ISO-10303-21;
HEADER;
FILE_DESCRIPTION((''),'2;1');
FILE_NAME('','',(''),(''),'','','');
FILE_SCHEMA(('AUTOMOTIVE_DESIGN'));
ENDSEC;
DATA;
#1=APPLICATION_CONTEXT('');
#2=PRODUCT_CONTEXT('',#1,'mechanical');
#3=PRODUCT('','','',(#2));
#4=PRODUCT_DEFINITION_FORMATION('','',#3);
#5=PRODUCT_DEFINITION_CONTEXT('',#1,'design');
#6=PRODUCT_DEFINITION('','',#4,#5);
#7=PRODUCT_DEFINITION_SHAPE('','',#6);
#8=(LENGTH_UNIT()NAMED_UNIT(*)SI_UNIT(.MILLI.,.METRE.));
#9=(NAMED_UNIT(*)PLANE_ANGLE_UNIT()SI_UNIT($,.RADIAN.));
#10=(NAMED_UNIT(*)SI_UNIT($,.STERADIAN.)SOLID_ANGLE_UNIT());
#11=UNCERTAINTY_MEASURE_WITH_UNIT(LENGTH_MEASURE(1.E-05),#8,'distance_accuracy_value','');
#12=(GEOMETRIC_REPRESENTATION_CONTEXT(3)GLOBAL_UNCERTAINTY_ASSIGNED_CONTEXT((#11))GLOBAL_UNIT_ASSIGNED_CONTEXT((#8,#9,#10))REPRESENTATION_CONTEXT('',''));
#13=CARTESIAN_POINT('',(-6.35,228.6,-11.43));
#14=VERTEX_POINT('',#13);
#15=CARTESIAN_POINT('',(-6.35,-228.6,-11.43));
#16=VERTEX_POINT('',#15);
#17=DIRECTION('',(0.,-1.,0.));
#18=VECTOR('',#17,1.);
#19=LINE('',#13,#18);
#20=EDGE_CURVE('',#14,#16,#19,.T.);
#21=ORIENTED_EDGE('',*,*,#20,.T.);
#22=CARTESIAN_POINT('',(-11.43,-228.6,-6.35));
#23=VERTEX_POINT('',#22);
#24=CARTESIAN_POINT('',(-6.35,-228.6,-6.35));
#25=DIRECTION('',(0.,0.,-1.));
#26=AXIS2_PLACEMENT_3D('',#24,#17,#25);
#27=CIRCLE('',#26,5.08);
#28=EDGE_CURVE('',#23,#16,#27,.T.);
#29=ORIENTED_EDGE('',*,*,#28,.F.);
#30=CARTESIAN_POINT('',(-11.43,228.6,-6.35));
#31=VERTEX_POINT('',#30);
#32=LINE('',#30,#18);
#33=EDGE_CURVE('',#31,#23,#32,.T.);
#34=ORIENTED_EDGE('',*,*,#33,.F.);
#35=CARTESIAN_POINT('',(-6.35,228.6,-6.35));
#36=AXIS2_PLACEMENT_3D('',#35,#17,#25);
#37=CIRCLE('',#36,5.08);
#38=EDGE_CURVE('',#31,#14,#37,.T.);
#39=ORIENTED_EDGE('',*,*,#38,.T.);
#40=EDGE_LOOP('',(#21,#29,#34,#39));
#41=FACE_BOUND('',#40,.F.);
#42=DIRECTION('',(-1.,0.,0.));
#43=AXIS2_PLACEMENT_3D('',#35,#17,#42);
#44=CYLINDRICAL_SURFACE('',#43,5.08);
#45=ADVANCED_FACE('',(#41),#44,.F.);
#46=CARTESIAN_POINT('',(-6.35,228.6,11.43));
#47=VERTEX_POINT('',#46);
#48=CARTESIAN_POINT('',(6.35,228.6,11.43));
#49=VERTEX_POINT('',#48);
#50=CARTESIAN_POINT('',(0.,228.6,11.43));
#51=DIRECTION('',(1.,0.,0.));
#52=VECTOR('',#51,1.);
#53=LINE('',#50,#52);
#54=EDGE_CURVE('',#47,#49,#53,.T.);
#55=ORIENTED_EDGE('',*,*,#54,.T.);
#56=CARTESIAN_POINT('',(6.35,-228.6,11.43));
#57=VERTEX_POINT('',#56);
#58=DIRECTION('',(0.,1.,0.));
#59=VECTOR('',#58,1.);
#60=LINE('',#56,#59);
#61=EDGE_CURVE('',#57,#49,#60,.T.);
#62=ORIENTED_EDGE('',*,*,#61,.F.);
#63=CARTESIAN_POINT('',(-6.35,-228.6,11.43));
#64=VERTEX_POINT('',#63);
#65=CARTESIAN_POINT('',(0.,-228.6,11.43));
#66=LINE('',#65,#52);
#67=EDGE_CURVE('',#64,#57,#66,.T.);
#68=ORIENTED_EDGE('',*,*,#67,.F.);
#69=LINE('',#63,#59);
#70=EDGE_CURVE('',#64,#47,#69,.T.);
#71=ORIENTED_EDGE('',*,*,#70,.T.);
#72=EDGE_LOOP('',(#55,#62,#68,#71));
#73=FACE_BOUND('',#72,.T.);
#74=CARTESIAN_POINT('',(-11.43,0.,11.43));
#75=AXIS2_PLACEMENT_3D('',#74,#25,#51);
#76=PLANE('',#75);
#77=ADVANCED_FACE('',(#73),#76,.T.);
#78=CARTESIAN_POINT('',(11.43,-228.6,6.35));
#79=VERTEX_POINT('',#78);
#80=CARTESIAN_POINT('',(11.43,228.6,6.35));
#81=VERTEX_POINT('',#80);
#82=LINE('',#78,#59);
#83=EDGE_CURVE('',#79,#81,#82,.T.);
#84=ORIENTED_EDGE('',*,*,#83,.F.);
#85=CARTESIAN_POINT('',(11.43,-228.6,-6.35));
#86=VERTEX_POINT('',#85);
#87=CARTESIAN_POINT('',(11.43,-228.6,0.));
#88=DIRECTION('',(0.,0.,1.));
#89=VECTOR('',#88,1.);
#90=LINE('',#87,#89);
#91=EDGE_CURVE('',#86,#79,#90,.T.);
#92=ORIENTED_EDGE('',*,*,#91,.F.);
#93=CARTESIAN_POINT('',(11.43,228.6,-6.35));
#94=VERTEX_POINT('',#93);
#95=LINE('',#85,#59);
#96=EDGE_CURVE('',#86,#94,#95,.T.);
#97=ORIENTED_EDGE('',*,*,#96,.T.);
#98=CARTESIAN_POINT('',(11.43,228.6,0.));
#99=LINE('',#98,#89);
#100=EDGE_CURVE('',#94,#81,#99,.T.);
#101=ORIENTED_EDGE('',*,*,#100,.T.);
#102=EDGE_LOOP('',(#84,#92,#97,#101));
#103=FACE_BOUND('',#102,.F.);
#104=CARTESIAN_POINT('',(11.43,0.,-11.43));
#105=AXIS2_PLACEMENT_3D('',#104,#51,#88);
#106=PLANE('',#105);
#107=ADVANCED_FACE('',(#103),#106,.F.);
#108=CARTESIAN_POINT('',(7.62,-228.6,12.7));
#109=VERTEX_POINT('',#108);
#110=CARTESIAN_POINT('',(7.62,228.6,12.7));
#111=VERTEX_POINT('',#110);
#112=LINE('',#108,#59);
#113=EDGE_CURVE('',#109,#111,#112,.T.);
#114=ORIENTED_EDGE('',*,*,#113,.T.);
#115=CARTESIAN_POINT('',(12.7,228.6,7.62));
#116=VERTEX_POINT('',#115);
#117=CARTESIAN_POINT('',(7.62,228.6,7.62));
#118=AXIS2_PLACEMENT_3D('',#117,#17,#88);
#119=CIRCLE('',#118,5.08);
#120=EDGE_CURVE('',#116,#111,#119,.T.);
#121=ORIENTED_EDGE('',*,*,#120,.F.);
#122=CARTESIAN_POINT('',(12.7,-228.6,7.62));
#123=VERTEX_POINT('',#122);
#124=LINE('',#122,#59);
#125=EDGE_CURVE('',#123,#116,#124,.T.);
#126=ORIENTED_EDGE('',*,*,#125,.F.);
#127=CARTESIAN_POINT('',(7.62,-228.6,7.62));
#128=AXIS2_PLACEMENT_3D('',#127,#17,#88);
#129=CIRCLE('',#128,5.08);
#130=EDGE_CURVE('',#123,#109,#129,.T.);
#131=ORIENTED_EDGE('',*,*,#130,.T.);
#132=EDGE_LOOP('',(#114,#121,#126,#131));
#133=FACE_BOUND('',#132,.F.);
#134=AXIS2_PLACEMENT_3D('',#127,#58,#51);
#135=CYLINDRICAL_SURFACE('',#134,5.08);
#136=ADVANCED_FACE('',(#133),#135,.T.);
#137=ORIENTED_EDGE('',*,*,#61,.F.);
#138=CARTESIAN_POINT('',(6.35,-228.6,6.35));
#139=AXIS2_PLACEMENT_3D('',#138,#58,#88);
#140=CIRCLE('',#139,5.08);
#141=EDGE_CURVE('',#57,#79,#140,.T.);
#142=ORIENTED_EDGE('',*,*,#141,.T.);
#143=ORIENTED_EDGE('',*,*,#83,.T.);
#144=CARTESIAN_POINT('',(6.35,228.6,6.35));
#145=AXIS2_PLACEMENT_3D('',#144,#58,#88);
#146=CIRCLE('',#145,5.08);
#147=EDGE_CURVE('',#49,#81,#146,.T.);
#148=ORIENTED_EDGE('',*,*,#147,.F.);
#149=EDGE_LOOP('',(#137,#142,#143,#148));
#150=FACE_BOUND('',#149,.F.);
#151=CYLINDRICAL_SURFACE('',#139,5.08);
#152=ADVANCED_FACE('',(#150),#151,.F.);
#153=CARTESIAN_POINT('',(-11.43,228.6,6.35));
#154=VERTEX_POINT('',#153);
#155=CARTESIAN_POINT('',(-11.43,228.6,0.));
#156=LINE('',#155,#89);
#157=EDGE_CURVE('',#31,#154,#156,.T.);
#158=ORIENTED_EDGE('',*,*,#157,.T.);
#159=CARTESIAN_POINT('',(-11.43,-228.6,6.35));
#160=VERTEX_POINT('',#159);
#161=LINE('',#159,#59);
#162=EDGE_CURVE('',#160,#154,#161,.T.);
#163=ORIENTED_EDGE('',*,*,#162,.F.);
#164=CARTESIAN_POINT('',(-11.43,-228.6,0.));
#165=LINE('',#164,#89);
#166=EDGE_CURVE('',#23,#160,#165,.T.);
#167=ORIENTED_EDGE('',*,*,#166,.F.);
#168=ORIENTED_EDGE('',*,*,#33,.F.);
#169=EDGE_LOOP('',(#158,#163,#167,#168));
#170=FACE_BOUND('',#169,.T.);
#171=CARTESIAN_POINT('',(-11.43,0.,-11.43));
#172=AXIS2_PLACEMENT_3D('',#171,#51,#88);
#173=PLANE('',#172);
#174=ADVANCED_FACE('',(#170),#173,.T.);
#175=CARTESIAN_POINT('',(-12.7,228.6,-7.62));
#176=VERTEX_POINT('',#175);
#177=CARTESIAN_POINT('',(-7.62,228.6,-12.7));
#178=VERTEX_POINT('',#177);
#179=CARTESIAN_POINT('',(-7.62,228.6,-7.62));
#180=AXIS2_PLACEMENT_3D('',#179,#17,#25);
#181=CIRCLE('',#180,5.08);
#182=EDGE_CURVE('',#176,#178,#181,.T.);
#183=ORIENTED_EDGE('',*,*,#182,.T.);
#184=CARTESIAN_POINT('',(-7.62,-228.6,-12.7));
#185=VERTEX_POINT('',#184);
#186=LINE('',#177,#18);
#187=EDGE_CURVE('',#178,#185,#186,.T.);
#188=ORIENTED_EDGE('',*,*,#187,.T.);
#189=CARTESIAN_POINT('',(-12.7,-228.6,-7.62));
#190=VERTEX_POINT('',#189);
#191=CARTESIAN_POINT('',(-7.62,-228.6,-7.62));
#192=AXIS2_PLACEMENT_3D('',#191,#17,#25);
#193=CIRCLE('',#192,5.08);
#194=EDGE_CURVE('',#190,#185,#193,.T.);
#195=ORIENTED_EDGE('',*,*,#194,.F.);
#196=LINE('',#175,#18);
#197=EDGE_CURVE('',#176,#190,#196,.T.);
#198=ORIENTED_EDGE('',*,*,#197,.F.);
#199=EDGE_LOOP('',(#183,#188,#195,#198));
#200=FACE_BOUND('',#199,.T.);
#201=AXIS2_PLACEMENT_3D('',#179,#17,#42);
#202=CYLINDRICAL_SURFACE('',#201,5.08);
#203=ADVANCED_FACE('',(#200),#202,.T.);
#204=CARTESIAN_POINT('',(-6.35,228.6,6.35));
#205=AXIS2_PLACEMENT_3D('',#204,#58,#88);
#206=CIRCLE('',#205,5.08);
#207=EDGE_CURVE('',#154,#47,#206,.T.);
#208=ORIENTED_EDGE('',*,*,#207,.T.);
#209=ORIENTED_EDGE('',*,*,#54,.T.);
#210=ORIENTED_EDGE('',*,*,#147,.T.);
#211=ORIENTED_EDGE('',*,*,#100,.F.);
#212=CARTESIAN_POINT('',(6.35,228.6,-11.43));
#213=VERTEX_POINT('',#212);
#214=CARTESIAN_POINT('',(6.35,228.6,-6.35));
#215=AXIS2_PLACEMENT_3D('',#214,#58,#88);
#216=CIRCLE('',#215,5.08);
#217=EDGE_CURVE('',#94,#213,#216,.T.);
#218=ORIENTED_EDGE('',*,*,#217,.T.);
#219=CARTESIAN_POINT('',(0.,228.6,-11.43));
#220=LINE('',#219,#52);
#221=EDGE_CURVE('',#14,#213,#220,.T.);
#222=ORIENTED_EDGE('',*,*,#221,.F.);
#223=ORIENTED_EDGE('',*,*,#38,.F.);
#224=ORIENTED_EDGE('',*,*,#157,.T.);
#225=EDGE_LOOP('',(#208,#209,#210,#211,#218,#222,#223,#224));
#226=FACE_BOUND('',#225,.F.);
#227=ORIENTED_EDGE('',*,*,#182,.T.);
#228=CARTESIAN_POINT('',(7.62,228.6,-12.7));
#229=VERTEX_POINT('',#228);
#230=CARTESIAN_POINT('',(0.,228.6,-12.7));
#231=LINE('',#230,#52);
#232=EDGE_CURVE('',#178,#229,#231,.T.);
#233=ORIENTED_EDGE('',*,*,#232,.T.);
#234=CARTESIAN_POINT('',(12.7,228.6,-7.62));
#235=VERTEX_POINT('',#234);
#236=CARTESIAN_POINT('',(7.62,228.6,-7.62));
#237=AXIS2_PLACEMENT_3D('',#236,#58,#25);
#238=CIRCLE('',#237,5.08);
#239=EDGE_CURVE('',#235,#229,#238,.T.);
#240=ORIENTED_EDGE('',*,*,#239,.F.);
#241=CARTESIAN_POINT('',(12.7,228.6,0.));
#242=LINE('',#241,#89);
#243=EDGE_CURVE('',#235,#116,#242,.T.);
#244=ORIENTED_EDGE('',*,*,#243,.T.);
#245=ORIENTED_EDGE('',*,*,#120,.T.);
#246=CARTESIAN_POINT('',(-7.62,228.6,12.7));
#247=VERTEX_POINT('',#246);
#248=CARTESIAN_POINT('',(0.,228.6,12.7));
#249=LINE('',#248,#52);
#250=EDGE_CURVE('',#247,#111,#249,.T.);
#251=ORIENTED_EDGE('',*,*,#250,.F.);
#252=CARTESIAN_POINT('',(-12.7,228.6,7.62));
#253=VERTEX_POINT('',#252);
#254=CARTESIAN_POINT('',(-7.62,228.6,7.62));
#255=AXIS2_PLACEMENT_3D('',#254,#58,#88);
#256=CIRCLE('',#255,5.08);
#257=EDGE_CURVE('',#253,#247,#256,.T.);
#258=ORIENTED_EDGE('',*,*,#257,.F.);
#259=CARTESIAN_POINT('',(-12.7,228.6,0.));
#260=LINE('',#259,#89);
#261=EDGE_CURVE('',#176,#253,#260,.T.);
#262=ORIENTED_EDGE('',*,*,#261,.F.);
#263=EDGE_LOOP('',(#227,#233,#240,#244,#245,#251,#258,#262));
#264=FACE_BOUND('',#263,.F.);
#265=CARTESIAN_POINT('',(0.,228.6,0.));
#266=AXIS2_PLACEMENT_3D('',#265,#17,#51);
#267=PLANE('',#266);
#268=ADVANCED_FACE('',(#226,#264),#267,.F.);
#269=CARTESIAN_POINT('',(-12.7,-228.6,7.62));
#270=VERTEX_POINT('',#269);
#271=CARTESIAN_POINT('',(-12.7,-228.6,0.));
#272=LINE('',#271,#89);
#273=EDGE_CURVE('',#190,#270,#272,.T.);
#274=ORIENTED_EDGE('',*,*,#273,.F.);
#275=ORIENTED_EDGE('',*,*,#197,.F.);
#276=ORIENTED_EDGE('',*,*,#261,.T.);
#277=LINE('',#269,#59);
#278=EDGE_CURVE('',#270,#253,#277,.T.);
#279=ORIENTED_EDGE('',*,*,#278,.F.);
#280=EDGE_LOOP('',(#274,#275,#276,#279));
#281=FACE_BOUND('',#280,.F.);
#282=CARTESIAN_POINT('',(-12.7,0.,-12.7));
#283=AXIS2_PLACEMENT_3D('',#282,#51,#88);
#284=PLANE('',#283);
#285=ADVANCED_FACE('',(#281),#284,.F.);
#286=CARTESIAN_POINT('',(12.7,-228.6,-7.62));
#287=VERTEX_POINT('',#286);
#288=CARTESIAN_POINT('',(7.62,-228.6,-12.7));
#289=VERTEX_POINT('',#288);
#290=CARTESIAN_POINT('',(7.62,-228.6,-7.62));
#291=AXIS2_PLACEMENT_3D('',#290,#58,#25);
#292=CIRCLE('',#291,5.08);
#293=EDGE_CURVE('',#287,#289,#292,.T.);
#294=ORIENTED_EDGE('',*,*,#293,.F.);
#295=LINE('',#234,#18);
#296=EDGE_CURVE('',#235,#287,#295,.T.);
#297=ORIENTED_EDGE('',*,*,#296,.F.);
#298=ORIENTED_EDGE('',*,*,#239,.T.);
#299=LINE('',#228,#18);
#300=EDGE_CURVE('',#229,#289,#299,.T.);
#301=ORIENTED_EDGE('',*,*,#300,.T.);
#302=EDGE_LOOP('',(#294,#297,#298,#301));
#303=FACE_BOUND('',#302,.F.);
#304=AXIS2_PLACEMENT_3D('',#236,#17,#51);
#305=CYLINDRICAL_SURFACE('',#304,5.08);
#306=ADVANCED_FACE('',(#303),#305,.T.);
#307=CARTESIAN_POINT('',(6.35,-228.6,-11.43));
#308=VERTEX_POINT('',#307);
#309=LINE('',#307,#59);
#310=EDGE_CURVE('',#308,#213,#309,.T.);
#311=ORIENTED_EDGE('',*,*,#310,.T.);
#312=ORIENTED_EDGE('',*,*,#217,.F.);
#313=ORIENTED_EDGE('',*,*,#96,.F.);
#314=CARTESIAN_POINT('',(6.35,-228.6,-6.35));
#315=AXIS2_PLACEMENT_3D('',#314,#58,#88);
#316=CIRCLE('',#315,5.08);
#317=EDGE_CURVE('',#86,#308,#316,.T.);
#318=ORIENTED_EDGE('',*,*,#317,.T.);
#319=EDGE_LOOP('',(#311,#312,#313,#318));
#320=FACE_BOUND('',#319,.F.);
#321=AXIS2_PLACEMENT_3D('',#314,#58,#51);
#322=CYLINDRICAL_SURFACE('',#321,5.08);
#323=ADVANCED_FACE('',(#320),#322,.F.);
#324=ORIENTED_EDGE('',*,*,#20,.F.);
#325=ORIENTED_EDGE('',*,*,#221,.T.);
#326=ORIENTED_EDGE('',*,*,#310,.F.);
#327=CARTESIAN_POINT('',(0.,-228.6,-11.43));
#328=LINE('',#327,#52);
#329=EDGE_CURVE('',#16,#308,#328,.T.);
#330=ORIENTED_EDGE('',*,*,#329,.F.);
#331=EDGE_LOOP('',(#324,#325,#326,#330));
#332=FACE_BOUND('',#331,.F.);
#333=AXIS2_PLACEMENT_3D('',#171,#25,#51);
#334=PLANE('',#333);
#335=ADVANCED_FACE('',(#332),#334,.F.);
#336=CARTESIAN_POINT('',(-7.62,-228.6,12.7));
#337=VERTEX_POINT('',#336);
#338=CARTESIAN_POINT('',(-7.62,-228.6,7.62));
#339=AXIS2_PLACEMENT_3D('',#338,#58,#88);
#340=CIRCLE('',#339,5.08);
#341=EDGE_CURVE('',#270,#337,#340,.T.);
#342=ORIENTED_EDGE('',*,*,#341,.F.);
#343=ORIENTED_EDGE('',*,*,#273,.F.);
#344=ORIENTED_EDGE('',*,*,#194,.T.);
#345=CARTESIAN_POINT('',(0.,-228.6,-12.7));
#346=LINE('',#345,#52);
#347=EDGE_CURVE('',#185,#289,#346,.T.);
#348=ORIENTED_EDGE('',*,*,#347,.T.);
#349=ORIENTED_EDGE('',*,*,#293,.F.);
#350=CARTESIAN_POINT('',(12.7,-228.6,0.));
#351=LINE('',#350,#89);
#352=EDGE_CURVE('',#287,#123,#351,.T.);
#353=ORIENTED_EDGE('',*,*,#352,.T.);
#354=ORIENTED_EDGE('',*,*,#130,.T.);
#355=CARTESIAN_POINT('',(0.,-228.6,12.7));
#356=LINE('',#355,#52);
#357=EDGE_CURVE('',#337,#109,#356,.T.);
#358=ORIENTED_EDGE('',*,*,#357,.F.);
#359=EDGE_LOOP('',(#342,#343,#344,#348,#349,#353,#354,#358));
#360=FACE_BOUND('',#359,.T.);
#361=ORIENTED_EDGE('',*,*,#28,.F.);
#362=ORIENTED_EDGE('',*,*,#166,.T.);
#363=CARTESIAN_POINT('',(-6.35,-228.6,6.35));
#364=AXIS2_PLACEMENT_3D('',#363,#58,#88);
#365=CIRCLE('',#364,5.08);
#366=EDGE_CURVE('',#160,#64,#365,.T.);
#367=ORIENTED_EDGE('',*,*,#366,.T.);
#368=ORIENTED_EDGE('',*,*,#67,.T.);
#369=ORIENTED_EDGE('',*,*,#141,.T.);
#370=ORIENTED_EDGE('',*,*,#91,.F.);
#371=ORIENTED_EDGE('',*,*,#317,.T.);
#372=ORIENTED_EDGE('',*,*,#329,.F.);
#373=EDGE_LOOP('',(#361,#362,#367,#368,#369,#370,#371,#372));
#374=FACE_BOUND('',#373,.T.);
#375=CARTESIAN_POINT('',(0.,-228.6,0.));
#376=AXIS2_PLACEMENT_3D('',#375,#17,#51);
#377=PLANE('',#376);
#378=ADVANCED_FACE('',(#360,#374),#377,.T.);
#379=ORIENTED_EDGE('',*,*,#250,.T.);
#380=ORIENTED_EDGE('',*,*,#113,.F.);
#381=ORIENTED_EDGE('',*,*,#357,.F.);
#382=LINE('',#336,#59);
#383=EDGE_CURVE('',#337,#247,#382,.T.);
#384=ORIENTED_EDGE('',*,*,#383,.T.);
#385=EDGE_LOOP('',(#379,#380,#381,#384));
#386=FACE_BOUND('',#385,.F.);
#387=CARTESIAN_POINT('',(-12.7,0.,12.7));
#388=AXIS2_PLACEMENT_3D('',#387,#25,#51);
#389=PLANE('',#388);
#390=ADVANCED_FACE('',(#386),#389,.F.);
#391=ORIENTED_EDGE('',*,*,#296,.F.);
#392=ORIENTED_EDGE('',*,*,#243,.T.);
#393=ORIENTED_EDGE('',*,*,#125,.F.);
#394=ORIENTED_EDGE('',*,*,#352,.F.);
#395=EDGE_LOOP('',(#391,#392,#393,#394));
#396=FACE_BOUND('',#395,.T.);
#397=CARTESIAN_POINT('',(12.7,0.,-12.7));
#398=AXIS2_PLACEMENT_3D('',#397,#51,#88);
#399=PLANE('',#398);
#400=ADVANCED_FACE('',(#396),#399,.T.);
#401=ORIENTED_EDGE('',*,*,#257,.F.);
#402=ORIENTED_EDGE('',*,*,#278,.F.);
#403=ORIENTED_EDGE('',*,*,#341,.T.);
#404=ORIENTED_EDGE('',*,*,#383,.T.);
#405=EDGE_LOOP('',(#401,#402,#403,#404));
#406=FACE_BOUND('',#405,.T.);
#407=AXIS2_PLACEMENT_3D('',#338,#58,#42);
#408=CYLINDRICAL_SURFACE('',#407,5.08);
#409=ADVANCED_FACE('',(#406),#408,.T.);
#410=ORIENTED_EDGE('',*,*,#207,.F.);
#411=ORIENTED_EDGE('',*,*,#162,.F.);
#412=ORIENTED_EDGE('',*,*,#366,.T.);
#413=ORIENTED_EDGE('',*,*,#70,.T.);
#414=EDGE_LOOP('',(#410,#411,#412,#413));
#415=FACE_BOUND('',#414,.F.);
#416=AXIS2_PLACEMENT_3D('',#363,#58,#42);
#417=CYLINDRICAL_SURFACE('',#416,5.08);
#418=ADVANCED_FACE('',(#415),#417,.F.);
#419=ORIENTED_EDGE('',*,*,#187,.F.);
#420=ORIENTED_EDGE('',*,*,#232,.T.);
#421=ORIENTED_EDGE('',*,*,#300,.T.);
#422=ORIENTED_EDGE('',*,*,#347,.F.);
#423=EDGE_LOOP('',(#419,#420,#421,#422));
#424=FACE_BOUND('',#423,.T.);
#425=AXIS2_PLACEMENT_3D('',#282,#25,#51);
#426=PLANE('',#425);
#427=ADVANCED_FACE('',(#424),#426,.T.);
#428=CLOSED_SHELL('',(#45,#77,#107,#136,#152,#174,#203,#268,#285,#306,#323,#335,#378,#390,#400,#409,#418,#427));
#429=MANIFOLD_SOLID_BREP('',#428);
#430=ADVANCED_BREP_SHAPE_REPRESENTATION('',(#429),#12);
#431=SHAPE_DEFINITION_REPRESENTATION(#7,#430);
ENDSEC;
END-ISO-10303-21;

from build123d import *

# Parameters (mm, degrees)
F0_W     = 25.4
F0_H     = 25.4
F0_W_2   = 22.86
F0_H_2   = 22.86
F1_DEPTH = 228.6
F2_R     = 5.08


with BuildPart() as f1:
    # F0 (on Front) → F1 (new body, symmetric)
    with BuildSketch(Plane.XZ):
        Rectangle(F0_W, F0_H)
        Rectangle(F0_W_2, F0_H_2, mode=Mode.SUBTRACT)
    extrude(amount=F1_DEPTH, both=True)

    # F2
    f2_edges = [f1.edges().sort_by_distance(p)[0] for p in [
        (-11.43, 0, 11.43),
        (11.43, 0, 11.43),
        (-11.43, 0, -11.43),
        (11.43, 0, -11.43),
        (-12.7, 0, 12.7),
        (12.7, 0, 12.7),
        (-12.7, 0, -12.7),
        (12.7, 0, -12.7),
    ]]
    fillet(f2_edges, radius=F2_R)


solid = f1.part
